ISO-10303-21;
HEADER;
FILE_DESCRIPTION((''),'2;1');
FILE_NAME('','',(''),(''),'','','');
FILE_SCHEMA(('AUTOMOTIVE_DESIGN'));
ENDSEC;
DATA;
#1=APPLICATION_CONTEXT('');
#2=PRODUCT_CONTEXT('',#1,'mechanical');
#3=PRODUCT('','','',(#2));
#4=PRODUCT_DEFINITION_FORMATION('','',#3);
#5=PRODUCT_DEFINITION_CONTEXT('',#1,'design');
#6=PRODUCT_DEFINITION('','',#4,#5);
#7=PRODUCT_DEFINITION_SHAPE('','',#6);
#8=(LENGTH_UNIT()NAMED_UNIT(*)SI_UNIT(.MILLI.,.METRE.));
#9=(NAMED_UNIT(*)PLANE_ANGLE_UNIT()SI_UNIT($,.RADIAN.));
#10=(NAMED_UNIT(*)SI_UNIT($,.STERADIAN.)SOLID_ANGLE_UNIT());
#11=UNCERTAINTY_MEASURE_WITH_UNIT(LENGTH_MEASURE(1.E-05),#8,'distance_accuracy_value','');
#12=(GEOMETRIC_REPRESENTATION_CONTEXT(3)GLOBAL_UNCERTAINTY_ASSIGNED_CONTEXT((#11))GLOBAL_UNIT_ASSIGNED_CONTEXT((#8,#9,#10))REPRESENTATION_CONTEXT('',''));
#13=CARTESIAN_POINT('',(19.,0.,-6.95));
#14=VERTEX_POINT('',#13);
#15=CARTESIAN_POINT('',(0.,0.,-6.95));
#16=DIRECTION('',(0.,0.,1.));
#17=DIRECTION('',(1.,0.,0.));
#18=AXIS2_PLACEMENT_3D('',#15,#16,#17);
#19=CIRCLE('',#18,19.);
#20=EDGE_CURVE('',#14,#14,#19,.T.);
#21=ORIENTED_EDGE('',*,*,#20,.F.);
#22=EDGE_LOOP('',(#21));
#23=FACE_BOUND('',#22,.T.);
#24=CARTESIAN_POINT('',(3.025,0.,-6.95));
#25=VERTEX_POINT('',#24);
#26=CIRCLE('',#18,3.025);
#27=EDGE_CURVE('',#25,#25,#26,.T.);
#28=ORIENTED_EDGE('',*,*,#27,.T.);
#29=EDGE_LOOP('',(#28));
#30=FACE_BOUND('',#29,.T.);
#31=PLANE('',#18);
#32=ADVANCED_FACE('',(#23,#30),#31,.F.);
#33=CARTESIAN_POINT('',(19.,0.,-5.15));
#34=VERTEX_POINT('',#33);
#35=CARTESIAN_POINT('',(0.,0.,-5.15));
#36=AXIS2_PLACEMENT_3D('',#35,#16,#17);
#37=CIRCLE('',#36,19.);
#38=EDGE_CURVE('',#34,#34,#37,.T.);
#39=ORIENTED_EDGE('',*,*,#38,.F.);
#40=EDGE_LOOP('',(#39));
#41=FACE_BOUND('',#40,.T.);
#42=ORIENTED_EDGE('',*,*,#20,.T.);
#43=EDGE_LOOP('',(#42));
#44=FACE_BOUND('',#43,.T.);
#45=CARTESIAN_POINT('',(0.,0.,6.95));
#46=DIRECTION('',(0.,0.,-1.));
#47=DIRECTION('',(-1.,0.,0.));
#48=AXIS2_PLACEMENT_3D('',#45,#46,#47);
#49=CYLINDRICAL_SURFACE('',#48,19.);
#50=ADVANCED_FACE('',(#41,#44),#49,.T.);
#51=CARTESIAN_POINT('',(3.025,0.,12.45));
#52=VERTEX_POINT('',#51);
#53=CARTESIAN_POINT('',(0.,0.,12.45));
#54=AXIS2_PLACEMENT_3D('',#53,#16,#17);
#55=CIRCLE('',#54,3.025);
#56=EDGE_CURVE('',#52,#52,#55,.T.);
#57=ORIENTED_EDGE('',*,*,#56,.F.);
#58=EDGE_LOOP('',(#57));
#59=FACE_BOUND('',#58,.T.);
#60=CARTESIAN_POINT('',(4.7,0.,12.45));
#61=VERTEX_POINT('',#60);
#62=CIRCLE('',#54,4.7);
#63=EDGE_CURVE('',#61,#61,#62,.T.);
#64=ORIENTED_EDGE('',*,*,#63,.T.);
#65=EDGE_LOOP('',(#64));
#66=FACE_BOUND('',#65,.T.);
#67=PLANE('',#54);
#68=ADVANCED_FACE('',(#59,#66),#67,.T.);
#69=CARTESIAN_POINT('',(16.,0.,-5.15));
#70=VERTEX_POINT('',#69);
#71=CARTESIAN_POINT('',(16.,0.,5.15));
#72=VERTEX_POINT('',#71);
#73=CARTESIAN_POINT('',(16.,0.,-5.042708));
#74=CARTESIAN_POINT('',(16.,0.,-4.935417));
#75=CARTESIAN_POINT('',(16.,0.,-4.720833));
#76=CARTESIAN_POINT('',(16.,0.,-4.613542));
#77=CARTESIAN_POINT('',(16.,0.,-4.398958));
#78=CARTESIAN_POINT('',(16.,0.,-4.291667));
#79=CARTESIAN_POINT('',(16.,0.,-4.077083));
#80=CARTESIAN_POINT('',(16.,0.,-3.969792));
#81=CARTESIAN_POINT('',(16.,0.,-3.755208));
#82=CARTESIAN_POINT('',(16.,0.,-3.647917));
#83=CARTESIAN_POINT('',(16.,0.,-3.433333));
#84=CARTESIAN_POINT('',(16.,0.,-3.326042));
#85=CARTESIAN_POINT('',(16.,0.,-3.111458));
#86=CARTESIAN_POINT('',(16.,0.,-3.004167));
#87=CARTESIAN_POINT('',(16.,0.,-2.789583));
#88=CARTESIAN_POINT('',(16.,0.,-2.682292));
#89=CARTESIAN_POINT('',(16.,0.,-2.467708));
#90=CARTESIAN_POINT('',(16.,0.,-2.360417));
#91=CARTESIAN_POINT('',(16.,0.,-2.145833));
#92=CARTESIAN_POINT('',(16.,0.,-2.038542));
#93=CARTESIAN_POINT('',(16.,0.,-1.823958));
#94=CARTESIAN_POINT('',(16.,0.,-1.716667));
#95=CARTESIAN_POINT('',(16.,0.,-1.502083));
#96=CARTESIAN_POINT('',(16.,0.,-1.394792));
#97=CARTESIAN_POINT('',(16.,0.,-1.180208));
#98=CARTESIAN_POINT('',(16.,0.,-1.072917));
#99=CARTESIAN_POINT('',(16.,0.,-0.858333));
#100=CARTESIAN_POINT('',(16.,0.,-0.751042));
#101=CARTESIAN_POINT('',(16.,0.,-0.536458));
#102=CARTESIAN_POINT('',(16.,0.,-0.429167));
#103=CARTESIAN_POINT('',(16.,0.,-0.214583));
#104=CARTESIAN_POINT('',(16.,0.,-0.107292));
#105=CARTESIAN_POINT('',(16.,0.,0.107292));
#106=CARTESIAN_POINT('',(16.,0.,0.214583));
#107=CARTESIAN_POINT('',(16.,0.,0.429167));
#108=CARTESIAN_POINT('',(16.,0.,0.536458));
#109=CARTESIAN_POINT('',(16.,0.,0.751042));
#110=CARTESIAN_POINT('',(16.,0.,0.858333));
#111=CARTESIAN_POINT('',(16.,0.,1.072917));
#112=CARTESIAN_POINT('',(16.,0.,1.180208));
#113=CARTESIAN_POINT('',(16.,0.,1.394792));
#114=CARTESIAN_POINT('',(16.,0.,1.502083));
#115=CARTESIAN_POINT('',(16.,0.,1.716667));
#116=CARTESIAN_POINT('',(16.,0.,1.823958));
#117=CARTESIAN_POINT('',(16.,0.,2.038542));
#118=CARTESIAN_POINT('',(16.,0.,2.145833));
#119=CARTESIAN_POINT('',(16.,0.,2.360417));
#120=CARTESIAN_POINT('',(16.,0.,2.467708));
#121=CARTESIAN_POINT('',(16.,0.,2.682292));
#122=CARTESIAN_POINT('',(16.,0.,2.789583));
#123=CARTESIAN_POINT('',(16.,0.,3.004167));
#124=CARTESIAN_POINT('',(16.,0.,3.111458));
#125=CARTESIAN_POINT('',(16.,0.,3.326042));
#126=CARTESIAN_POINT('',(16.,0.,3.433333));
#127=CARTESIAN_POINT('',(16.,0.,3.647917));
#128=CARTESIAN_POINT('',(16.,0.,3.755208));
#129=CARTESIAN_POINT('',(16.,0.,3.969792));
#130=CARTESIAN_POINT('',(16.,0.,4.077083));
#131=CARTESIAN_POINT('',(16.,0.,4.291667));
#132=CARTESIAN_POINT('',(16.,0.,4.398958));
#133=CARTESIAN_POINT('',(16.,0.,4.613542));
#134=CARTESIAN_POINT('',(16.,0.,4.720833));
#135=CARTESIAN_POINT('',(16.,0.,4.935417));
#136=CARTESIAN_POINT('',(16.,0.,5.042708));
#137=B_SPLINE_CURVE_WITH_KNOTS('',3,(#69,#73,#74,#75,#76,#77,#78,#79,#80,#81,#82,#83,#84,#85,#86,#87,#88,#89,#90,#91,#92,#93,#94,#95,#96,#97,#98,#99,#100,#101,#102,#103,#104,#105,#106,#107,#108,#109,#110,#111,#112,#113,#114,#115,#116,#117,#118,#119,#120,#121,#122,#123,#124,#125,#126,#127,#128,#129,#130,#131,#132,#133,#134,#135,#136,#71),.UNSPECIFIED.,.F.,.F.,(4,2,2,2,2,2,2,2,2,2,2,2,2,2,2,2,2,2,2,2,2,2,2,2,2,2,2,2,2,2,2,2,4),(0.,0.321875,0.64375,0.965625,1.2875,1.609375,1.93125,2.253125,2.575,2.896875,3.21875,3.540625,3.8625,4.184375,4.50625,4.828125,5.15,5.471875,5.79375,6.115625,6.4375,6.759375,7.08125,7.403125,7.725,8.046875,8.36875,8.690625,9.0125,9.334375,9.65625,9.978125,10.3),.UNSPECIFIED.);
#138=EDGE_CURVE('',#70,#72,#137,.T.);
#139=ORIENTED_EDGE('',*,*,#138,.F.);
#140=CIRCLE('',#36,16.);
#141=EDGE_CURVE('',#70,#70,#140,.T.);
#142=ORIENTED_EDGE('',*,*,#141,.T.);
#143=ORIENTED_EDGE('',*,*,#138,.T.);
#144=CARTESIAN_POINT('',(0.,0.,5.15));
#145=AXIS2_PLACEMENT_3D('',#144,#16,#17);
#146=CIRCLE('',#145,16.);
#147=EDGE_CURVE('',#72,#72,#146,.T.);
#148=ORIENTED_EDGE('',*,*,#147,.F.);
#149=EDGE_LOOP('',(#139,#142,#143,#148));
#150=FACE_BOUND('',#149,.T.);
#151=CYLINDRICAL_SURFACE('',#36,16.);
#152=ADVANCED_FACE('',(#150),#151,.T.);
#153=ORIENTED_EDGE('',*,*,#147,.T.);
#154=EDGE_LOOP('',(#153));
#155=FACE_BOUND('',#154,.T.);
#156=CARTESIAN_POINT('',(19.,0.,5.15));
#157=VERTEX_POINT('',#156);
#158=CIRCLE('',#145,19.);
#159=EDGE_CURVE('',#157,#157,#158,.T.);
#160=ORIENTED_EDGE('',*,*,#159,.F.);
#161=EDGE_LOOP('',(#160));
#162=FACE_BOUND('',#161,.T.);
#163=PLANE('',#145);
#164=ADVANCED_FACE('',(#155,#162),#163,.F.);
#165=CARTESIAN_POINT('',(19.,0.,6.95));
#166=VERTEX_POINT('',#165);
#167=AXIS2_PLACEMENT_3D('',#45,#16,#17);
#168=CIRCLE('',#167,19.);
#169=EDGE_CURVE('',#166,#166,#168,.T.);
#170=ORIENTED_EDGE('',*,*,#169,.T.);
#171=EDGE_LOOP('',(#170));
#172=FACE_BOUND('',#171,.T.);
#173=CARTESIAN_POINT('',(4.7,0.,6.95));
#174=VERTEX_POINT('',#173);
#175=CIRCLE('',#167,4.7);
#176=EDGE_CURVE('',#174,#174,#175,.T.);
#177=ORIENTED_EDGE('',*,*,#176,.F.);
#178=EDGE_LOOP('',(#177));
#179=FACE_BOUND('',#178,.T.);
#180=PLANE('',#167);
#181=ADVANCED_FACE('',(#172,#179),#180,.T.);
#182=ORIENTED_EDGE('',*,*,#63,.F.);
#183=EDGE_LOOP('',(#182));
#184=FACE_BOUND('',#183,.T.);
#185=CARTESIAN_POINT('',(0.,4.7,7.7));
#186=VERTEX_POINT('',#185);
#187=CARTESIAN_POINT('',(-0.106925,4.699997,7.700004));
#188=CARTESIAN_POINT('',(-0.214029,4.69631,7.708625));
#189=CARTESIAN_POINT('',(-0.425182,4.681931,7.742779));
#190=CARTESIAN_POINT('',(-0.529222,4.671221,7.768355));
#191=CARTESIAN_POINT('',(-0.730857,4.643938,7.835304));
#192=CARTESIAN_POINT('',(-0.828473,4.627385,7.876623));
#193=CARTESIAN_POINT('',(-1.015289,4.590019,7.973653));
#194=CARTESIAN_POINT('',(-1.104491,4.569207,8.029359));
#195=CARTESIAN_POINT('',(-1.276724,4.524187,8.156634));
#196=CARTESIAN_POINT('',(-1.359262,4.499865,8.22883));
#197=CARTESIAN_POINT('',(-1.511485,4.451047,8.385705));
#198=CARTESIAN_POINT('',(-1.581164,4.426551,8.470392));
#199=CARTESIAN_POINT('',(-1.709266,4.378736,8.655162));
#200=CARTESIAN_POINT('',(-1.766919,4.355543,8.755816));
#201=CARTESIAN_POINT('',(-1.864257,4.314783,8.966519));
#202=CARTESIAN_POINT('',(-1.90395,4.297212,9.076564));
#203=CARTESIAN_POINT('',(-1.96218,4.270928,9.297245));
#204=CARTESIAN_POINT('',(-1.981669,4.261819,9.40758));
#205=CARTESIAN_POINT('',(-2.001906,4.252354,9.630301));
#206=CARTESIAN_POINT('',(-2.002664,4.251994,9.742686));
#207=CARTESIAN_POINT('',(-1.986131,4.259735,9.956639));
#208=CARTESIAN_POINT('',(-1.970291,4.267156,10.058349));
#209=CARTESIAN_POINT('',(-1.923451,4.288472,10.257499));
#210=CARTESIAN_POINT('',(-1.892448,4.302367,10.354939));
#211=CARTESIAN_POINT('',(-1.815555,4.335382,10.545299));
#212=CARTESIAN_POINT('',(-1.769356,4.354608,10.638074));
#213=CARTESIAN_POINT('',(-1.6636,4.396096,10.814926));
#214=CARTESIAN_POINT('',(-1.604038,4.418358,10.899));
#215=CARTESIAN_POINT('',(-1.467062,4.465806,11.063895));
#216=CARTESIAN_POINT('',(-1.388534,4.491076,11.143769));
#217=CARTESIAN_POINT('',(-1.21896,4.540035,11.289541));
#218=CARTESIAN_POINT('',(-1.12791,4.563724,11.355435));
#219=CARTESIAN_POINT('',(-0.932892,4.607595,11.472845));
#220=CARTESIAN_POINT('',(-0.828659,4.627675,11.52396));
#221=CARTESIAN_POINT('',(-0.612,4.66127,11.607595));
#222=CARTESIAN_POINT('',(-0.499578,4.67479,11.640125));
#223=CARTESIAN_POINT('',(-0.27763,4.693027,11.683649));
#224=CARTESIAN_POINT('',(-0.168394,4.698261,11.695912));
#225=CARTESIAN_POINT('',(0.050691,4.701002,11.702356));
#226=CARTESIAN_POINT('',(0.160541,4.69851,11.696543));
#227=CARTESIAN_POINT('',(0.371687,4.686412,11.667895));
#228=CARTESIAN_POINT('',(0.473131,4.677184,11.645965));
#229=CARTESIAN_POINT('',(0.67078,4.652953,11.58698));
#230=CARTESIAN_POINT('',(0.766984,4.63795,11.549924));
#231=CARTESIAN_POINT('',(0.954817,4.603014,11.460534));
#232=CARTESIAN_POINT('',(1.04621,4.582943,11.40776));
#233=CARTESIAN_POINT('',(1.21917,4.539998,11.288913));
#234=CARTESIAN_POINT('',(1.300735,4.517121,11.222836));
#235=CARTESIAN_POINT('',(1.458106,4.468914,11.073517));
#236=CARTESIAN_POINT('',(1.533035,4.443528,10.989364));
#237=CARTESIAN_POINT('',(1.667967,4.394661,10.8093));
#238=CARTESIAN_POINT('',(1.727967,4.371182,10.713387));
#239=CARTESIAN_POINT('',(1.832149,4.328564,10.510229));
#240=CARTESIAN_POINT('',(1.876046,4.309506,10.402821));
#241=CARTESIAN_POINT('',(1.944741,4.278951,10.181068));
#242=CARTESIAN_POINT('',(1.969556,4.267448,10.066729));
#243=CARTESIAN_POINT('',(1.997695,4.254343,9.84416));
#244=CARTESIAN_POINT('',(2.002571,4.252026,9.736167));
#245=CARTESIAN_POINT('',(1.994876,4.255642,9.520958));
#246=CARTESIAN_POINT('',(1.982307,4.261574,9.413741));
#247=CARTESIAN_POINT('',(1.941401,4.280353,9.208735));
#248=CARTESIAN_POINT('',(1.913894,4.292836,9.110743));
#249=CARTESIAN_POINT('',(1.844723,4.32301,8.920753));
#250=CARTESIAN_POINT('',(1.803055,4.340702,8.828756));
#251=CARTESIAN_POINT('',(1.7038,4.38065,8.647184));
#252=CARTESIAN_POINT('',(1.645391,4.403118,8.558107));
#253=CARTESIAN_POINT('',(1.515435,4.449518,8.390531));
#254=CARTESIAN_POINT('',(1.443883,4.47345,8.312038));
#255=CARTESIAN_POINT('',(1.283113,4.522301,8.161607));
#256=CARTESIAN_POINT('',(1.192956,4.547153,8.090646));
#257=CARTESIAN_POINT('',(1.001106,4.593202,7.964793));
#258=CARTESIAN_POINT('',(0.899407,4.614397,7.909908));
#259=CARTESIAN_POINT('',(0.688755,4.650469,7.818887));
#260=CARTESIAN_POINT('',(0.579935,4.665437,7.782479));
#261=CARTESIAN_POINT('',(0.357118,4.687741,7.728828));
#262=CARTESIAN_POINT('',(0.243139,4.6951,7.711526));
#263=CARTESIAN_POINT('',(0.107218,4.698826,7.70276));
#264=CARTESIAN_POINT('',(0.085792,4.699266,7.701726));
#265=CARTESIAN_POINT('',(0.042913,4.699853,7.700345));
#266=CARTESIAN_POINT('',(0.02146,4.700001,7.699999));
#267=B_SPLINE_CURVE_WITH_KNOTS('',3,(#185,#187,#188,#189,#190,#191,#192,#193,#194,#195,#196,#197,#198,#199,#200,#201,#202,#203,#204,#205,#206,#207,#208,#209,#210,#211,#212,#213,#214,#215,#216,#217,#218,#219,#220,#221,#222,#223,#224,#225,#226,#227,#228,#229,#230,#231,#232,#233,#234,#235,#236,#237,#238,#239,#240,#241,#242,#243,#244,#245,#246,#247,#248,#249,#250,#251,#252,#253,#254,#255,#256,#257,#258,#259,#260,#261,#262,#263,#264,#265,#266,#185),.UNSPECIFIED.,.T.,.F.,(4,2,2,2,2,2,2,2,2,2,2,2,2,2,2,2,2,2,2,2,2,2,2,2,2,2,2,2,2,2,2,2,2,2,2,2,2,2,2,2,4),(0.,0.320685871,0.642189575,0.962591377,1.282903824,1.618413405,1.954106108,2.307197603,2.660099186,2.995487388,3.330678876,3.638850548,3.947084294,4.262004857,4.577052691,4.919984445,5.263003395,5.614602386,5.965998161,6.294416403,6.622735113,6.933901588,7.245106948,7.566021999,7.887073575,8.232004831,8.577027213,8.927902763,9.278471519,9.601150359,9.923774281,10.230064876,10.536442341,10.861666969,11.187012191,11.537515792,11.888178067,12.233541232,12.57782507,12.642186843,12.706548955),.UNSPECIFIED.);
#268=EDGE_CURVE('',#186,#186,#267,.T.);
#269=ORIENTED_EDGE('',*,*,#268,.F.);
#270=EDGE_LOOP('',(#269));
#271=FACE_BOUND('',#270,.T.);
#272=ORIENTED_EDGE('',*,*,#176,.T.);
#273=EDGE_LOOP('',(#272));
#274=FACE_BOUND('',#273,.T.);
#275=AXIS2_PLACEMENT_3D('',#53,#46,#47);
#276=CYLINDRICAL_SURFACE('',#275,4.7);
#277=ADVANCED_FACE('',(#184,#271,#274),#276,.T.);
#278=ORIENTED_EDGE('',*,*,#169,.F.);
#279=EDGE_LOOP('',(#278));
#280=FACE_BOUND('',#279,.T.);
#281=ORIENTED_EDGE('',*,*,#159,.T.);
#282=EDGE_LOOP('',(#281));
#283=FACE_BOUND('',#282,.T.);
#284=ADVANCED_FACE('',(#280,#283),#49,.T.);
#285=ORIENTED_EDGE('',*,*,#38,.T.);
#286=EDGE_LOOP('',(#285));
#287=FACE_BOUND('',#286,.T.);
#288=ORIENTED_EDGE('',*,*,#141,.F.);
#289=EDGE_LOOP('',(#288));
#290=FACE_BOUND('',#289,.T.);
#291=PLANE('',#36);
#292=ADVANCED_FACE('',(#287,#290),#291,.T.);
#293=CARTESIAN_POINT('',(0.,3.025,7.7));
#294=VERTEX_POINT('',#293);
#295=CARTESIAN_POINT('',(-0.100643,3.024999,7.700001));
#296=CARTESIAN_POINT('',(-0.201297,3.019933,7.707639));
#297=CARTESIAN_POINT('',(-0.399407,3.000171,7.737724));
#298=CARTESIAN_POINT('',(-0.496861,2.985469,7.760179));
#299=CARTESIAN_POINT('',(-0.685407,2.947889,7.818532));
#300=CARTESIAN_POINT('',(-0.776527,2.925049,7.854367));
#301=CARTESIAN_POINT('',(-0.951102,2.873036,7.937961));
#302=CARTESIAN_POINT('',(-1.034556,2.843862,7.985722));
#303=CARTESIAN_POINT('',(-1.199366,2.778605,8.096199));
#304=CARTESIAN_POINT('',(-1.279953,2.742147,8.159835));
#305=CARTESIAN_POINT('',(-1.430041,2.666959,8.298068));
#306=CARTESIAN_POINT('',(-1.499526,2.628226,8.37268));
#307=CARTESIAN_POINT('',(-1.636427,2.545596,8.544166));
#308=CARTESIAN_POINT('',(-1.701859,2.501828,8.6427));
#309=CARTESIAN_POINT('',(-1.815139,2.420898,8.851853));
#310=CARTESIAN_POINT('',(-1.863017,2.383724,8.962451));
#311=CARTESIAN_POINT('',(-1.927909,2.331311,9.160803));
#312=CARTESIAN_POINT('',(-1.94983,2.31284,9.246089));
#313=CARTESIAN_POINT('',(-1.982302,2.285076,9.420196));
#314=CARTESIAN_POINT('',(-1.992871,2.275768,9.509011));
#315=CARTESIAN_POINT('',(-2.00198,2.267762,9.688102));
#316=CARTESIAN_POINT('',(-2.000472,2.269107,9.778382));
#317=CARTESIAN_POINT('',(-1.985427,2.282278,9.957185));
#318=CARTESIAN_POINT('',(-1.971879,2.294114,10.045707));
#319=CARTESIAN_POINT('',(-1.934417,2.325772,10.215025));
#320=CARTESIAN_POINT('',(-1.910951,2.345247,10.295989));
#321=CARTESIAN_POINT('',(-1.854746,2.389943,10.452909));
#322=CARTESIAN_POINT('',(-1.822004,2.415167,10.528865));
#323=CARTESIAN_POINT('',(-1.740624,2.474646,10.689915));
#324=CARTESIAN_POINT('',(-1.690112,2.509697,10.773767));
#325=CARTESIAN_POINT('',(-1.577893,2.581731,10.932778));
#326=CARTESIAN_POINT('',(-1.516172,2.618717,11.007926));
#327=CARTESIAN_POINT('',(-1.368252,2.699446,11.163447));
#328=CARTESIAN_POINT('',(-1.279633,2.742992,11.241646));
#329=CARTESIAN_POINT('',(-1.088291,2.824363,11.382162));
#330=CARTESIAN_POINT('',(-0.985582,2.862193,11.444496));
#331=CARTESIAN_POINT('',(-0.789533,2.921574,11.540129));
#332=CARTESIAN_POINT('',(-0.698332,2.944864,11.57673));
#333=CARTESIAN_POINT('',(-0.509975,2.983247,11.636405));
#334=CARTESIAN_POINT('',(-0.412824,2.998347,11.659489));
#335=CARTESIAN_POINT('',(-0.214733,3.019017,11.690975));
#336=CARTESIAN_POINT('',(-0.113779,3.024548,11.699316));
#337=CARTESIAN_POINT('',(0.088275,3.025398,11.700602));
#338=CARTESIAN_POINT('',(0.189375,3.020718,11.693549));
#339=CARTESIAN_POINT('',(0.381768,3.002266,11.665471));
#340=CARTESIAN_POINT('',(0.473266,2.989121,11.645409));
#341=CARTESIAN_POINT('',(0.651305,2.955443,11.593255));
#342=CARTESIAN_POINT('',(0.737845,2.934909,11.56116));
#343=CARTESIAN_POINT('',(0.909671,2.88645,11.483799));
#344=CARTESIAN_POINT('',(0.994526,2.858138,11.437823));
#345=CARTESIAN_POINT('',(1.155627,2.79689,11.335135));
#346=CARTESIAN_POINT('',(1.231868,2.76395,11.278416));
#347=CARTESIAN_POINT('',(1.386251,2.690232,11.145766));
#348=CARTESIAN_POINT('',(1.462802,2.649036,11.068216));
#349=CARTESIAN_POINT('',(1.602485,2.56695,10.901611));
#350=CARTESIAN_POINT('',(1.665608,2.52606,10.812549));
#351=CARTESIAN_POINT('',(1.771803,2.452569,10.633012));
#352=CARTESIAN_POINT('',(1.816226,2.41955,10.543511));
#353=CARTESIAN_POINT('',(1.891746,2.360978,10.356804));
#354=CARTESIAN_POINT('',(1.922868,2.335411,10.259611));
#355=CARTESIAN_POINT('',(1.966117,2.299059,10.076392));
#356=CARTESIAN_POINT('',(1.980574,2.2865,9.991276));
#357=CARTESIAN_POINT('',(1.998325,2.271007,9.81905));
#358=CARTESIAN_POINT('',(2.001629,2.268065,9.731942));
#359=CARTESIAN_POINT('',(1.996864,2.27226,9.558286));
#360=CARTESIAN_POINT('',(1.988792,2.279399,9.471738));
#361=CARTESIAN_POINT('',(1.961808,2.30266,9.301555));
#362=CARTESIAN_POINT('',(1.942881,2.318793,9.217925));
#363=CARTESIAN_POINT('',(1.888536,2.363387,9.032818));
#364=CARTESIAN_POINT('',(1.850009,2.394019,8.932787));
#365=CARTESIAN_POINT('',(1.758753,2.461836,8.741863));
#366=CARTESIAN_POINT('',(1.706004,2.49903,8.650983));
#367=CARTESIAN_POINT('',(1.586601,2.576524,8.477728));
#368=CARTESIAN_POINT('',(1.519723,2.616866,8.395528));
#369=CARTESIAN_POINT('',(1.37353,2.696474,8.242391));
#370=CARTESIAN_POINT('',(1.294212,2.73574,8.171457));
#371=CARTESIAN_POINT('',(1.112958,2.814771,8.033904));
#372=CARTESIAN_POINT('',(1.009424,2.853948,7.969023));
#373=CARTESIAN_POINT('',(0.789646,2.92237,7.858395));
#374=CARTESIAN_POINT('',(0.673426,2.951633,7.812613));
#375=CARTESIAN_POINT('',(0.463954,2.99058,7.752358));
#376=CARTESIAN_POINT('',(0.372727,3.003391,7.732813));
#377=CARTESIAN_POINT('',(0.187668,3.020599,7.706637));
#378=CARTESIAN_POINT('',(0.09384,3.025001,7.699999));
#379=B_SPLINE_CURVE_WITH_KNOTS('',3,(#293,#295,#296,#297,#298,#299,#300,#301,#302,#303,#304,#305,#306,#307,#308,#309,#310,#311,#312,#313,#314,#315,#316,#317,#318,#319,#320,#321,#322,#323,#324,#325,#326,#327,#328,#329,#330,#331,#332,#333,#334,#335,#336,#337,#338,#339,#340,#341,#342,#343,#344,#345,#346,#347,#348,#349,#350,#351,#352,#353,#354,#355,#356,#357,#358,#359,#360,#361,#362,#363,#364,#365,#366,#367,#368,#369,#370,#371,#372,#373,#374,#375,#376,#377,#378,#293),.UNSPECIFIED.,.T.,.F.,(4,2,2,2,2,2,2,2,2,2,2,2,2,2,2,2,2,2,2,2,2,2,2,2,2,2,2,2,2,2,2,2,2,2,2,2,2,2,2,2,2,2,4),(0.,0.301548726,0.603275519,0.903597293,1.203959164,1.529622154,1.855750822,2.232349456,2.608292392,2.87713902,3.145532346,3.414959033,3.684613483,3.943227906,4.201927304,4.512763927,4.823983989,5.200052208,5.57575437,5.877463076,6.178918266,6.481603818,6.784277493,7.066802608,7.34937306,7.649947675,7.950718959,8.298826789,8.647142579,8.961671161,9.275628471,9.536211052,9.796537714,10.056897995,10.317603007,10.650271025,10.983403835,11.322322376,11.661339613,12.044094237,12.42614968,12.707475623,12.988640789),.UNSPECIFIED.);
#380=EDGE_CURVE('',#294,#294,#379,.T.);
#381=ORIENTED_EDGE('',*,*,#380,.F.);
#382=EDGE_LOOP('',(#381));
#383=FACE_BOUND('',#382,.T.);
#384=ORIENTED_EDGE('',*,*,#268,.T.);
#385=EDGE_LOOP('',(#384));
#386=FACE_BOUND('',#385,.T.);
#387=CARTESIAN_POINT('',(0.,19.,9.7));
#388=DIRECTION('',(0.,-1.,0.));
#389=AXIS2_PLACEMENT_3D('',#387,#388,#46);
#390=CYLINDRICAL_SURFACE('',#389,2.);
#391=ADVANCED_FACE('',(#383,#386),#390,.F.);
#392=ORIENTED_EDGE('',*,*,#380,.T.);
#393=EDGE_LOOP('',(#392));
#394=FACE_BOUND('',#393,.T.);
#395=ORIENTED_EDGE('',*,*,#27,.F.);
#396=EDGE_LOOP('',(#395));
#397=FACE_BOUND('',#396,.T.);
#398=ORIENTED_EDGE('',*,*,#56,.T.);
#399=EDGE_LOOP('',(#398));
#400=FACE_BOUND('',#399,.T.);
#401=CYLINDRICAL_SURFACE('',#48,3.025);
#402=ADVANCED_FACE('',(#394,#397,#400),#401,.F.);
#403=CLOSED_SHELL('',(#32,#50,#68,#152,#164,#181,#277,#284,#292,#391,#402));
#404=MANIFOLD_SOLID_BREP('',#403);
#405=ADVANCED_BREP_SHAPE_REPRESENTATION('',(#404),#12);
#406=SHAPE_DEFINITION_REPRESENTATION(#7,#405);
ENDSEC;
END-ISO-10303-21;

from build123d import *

# Parameters (mm, degrees)
ESQUISSE1_R             = 19
ESQUISSE1_R_2           = 3.025
BOSS_EXTRU_1_DEPTH      = 6.95
ESQUISSE2_R             = 50
ESQUISSE2_R_2           = 16
ENL_V_MAT_EXTRU_1_DEPTH = 5.15
ESQUISSE4_R             = 4.7
ESQUISSE4_R_2           = 3.025
BOSS_EXTRU_2_DEPTH      = 5.5
ESQUISSE5_R             = 2
ENL_V_MAT_EXTRU_3_DEPTH = 30.614227999


with BuildPart() as part:
    # Esquisse1 → Boss.-Extru.1 (new, symmetric)
    with BuildSketch(Plane.XY):
        Circle(ESQUISSE1_R)
        Circle(ESQUISSE1_R_2, mode=Mode.SUBTRACT)
    extrude(amount=BOSS_EXTRU_1_DEPTH, both=True)

    # Esquisse2 → Enlèv. mat.-Extru.1 (cut, symmetric)
    with BuildSketch(Plane.XY):
        Circle(ESQUISSE2_R)
        Circle(ESQUISSE2_R_2, mode=Mode.SUBTRACT)
    extrude(amount=ENL_V_MAT_EXTRU_1_DEPTH, both=True, mode=Mode.SUBTRACT)

    # Esquisse4 → Boss.-Extru.2 (add)
    with BuildSketch(Plane.XY.offset(6.95)):
        Circle(ESQUISSE4_R)
        Circle(ESQUISSE4_R_2, mode=Mode.SUBTRACT)
    extrude(amount=BOSS_EXTRU_2_DEPTH)

    # Esquisse5 → Enlèv. mat.-Extru.3 (cut, through all)
    with BuildSketch(Plane(origin=(0, 0, 0), x_dir=(1, 0, 0), z_dir=(0, 1, 0))):
        with Locations(Location((0, -9.7, 0), (0, 0, 90))):
            Circle(ESQUISSE5_R)
    extrude(amount=ENL_V_MAT_EXTRU_3_DEPTH, mode=Mode.SUBTRACT)


solid = part.part
